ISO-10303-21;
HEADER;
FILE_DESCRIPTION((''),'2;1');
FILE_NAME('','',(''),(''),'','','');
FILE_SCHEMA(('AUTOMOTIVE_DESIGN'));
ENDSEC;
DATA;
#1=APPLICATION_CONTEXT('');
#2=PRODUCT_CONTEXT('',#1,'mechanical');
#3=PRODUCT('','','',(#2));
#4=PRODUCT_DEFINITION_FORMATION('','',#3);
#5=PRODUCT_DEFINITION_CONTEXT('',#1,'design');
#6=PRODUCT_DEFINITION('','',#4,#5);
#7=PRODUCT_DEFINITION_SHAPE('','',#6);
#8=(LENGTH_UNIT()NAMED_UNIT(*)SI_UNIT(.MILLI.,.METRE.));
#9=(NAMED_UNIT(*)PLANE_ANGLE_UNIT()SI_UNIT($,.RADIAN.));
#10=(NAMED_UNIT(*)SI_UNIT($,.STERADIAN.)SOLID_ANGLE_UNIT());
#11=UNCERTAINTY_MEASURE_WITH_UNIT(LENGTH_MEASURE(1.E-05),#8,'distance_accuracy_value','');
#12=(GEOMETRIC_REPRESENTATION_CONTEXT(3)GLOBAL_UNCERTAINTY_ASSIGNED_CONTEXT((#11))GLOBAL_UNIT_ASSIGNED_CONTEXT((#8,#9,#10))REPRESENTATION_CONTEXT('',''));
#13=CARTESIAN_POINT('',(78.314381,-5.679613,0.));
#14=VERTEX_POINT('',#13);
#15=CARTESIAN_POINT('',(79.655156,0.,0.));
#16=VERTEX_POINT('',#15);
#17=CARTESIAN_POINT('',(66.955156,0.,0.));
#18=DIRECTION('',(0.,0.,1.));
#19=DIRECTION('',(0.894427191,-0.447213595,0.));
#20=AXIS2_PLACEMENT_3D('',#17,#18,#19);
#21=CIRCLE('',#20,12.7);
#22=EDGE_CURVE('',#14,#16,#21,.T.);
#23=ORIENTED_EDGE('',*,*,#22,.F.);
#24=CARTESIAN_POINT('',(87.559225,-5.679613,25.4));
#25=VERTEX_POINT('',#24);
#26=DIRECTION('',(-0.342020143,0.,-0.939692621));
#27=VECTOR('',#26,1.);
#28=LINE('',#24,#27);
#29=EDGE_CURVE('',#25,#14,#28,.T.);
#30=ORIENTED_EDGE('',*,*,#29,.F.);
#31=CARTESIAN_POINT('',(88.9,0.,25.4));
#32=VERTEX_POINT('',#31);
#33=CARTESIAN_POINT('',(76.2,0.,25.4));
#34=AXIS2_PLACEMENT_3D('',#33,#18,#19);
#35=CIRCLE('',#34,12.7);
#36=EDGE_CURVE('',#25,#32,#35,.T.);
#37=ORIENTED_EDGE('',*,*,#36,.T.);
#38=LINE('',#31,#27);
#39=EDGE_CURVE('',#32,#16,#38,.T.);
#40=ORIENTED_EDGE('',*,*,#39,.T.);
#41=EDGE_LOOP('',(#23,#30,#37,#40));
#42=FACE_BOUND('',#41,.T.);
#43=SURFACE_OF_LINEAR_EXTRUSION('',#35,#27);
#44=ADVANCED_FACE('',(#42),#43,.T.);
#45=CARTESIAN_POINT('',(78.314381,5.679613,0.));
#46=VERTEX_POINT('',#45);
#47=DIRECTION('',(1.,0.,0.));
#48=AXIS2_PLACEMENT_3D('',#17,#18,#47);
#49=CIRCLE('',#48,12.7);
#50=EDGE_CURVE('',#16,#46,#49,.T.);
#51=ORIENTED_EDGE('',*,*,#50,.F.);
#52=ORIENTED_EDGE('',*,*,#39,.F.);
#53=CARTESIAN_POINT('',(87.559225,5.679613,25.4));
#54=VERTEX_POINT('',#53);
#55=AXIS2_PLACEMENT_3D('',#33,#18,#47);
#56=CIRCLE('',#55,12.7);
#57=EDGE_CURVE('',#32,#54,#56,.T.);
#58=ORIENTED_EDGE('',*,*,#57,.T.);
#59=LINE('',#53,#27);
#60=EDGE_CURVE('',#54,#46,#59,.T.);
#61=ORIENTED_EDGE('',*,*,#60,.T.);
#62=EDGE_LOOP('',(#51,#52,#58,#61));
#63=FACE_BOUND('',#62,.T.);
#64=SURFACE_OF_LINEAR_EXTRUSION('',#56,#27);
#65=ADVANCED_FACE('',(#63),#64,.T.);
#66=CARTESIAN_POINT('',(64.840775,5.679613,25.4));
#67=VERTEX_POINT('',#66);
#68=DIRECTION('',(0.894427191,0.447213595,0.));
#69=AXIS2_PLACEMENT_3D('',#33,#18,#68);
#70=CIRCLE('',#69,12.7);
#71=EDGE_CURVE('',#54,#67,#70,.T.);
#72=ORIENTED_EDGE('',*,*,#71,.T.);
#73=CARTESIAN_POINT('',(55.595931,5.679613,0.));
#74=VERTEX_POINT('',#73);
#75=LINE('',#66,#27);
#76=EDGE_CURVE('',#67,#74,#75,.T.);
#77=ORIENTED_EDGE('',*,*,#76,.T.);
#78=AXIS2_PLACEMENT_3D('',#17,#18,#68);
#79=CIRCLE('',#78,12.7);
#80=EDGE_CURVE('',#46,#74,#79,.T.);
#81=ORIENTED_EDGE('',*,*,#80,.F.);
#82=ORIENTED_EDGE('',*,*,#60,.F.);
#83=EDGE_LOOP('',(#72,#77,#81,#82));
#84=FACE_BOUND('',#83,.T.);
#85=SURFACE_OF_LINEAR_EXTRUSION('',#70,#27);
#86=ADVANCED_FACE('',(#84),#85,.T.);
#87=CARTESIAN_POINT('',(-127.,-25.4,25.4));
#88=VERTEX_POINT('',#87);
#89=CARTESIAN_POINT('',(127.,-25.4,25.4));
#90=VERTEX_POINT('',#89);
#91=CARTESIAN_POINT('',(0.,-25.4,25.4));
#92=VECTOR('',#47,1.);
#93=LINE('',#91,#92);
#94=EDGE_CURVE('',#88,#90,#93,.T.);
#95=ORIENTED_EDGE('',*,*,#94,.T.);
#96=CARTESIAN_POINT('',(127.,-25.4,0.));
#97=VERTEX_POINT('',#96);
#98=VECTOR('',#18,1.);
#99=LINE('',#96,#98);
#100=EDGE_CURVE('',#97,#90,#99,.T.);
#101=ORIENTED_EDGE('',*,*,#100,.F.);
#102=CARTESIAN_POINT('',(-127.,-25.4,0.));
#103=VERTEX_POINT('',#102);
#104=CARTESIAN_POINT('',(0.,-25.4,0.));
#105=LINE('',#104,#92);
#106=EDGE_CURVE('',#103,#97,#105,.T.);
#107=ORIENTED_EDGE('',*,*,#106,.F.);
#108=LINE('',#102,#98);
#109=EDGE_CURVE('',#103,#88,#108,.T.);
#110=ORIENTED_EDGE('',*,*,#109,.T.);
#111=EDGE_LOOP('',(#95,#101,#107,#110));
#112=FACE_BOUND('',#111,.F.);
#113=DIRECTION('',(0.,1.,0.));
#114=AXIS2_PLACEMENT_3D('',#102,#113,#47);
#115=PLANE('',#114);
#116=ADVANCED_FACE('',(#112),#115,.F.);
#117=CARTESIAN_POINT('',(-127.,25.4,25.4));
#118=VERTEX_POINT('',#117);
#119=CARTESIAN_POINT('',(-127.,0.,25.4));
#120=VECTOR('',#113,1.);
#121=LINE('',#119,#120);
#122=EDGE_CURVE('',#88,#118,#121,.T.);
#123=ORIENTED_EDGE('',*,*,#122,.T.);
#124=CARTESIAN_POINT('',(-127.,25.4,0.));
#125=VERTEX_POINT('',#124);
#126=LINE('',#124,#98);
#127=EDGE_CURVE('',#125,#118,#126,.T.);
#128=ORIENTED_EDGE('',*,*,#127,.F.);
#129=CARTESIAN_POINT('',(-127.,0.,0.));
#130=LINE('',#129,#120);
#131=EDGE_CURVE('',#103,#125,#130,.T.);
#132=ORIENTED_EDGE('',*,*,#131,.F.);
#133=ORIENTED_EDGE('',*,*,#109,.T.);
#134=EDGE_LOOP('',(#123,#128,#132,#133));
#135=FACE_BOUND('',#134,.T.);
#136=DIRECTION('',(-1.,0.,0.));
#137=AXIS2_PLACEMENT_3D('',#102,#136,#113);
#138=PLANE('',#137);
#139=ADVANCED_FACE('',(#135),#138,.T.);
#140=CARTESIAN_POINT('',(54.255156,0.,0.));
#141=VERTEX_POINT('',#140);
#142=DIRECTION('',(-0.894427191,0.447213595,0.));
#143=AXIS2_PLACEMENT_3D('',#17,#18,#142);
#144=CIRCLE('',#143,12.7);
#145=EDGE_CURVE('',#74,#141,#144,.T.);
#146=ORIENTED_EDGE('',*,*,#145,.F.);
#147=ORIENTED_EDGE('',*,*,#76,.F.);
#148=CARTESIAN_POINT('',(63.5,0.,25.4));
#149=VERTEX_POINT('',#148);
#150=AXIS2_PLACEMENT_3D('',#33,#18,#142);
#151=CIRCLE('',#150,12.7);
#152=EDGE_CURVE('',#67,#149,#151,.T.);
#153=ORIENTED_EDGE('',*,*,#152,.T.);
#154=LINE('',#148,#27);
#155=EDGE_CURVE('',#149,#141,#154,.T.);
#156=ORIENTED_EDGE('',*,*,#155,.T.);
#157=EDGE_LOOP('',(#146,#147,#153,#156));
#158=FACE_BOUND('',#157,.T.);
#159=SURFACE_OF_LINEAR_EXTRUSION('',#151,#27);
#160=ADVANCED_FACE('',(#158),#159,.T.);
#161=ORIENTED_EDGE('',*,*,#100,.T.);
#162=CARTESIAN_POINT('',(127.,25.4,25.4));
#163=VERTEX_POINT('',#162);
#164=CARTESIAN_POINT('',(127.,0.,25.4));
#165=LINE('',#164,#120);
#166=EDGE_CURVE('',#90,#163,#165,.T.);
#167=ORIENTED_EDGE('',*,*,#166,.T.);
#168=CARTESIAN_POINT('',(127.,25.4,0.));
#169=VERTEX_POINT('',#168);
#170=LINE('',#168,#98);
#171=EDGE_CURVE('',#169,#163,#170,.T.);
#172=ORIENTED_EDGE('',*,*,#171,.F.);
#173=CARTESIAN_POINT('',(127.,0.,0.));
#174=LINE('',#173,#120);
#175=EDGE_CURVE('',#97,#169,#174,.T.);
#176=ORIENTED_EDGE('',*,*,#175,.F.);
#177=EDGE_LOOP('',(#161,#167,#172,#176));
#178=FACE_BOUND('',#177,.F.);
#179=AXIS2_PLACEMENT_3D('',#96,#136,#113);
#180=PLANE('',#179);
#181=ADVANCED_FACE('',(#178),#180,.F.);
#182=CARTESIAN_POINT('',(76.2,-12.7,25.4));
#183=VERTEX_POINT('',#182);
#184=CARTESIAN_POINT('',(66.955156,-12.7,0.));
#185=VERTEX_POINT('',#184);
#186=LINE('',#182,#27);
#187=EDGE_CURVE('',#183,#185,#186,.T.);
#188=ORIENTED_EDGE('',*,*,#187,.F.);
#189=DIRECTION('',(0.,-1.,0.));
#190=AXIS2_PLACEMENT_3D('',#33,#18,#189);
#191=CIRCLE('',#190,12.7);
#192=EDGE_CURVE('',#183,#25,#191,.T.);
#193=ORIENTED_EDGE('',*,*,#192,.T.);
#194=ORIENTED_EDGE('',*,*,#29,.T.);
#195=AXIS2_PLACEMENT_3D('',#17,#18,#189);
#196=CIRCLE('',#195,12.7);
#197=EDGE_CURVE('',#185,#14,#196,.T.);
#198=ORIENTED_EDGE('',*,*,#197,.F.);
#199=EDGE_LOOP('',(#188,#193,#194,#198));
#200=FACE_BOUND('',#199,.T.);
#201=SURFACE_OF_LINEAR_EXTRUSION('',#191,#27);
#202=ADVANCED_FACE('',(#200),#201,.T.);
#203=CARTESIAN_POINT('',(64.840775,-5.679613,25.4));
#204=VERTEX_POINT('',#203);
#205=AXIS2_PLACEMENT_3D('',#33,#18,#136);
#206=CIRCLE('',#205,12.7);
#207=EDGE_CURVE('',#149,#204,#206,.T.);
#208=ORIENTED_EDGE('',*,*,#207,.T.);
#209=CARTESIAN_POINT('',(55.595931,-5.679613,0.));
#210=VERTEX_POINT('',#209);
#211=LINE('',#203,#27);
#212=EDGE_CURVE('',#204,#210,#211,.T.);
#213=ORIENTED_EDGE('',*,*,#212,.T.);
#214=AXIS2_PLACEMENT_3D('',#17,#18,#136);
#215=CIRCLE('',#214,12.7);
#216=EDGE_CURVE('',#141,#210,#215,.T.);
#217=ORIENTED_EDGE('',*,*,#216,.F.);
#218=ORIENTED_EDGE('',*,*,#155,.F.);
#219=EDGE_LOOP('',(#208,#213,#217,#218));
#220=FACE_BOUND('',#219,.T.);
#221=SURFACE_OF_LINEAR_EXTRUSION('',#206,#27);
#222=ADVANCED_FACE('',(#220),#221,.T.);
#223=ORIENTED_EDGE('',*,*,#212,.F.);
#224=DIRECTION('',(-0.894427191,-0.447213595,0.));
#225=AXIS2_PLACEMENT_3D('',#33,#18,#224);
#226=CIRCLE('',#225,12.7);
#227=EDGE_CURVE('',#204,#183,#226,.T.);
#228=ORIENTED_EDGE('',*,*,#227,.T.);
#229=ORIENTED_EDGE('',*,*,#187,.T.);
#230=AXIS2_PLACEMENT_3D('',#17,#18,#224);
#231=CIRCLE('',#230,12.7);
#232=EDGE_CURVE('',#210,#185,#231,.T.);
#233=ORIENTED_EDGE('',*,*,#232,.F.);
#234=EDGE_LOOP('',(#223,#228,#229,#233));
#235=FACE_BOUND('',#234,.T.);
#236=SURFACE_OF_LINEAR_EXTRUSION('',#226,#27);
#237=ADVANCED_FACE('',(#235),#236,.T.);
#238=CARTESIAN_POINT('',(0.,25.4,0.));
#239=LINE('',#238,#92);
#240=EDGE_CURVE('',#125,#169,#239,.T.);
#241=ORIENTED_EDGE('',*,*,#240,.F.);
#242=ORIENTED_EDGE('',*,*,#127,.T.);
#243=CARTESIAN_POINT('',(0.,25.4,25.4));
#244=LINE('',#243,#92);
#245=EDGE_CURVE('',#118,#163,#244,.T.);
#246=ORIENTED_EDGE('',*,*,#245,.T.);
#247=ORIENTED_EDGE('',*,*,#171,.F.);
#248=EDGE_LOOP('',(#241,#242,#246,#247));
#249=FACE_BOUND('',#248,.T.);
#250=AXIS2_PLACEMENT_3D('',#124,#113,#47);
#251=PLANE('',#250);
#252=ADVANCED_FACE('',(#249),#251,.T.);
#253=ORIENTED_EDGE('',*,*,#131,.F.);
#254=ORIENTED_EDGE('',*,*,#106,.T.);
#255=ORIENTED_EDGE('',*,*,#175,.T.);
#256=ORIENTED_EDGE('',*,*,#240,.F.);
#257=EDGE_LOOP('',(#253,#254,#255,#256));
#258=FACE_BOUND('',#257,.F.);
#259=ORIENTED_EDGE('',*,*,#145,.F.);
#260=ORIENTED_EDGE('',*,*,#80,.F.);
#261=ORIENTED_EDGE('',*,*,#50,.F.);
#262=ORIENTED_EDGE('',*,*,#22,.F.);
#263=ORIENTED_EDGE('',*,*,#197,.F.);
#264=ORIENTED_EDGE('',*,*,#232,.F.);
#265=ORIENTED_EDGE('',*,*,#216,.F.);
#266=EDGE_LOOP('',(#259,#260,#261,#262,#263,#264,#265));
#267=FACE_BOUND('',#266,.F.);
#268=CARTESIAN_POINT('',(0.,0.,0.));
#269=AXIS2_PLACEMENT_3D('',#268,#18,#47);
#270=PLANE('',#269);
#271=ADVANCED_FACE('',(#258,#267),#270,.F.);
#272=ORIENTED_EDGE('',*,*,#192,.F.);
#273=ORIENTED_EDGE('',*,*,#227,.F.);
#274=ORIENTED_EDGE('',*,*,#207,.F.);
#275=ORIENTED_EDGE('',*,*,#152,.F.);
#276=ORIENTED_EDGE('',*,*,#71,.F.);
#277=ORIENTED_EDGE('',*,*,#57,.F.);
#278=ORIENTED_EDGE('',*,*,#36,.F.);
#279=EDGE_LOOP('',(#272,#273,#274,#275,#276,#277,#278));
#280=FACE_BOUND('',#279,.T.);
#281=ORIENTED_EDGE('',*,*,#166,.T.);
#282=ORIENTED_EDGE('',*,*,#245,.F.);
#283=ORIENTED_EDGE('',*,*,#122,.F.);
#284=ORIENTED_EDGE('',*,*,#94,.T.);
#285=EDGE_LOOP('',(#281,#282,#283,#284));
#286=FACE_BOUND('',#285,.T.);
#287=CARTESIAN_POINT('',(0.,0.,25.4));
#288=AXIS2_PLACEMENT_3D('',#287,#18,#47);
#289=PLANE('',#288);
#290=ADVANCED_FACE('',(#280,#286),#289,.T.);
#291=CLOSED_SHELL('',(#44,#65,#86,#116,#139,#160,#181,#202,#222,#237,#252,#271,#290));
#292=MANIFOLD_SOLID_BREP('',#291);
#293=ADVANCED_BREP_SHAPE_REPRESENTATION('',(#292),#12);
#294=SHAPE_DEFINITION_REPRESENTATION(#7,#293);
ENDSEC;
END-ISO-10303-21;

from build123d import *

# Parameters (mm, degrees)
F0_W     = 254
F0_H     = 50.8
F1_DEPTH = 25.4


with BuildPart() as f1:
    # F0 (on Top) → F1 (new body)
    with BuildSketch(Plane.XY):
        Rectangle(F0_W, F0_H)
    extrude(amount=F1_DEPTH)

    # F4: sweep along a path in F3
    with BuildLine(Plane.XZ.offset(25.4)) as f4_path:
        Line((74.6804546619, 25.4), (65.4356107116, 0))
    # F2 (on face) → F4 (sweep, cut)
    with BuildSketch(Plane.XY.offset(25.4)):
        with BuildLine():
            Line((64.8407746743, 5.6796126628), (76.2, 0))
            Line((76.2, 0), (87.5592253257, 5.6796126628))
            ThreePointArc((87.5592253257, 5.6796126628), (76.2, 12.7), (64.8407746743, 5.6796126628))
        make_face()
        with BuildLine():
            Line((63.5, 0), (76.2, 0))
            Line((76.2, 0), (64.8407746743, 5.6796126628))
            ThreePointArc((64.8407746743, 5.6796126628), (63.8397378338, 2.917862091), (63.5, 0))
        make_face()
        with BuildLine():
            Line((87.5592253257, 5.6796126628), (76.2, 0))
            Line((76.2, 0), (88.9, 0))
            ThreePointArc((88.9, 0), (88.5602621662, 2.917862091), (87.5592253257, 5.6796126628))
        make_face()
        with BuildLine():
            Line((76.2, -12.7), (76.2, 0))
            Line((76.2, 0), (64.8407746743, -5.6796126628))
            ThreePointArc((64.8407746743, -5.6796126628), (69.5232148761, -10.8032652661), (76.2, -12.7))
        make_face()
        with BuildLine():
            ThreePointArc((76.2, -12.7), (82.8767851239, -10.8032652661), (87.5592253257, -5.6796126628))
            Line((87.5592253257, -5.6796126628), (76.2, 0))
            Line((76.2, 0), (76.2, -12.7))
        make_face()
        with BuildLine():
            Line((76.2, 0), (87.5592253257, -5.6796126628))
            ThreePointArc((87.5592253257, -5.6796126628), (88.5602621662, -2.917862091), (88.9, 0))
            Line((88.9, 0), (76.2, 0))
        make_face()
        with BuildLine():
            Line((64.8407746743, -5.6796126628), (76.2, 0))
            Line((76.2, 0), (63.5, 0))
            ThreePointArc((63.5, 0), (63.8397378338, -2.917862091), (64.8407746743, -5.6796126628))
        make_face()
    sweep(path=f4_path.line, mode=Mode.SUBTRACT)


solid = f1.part
